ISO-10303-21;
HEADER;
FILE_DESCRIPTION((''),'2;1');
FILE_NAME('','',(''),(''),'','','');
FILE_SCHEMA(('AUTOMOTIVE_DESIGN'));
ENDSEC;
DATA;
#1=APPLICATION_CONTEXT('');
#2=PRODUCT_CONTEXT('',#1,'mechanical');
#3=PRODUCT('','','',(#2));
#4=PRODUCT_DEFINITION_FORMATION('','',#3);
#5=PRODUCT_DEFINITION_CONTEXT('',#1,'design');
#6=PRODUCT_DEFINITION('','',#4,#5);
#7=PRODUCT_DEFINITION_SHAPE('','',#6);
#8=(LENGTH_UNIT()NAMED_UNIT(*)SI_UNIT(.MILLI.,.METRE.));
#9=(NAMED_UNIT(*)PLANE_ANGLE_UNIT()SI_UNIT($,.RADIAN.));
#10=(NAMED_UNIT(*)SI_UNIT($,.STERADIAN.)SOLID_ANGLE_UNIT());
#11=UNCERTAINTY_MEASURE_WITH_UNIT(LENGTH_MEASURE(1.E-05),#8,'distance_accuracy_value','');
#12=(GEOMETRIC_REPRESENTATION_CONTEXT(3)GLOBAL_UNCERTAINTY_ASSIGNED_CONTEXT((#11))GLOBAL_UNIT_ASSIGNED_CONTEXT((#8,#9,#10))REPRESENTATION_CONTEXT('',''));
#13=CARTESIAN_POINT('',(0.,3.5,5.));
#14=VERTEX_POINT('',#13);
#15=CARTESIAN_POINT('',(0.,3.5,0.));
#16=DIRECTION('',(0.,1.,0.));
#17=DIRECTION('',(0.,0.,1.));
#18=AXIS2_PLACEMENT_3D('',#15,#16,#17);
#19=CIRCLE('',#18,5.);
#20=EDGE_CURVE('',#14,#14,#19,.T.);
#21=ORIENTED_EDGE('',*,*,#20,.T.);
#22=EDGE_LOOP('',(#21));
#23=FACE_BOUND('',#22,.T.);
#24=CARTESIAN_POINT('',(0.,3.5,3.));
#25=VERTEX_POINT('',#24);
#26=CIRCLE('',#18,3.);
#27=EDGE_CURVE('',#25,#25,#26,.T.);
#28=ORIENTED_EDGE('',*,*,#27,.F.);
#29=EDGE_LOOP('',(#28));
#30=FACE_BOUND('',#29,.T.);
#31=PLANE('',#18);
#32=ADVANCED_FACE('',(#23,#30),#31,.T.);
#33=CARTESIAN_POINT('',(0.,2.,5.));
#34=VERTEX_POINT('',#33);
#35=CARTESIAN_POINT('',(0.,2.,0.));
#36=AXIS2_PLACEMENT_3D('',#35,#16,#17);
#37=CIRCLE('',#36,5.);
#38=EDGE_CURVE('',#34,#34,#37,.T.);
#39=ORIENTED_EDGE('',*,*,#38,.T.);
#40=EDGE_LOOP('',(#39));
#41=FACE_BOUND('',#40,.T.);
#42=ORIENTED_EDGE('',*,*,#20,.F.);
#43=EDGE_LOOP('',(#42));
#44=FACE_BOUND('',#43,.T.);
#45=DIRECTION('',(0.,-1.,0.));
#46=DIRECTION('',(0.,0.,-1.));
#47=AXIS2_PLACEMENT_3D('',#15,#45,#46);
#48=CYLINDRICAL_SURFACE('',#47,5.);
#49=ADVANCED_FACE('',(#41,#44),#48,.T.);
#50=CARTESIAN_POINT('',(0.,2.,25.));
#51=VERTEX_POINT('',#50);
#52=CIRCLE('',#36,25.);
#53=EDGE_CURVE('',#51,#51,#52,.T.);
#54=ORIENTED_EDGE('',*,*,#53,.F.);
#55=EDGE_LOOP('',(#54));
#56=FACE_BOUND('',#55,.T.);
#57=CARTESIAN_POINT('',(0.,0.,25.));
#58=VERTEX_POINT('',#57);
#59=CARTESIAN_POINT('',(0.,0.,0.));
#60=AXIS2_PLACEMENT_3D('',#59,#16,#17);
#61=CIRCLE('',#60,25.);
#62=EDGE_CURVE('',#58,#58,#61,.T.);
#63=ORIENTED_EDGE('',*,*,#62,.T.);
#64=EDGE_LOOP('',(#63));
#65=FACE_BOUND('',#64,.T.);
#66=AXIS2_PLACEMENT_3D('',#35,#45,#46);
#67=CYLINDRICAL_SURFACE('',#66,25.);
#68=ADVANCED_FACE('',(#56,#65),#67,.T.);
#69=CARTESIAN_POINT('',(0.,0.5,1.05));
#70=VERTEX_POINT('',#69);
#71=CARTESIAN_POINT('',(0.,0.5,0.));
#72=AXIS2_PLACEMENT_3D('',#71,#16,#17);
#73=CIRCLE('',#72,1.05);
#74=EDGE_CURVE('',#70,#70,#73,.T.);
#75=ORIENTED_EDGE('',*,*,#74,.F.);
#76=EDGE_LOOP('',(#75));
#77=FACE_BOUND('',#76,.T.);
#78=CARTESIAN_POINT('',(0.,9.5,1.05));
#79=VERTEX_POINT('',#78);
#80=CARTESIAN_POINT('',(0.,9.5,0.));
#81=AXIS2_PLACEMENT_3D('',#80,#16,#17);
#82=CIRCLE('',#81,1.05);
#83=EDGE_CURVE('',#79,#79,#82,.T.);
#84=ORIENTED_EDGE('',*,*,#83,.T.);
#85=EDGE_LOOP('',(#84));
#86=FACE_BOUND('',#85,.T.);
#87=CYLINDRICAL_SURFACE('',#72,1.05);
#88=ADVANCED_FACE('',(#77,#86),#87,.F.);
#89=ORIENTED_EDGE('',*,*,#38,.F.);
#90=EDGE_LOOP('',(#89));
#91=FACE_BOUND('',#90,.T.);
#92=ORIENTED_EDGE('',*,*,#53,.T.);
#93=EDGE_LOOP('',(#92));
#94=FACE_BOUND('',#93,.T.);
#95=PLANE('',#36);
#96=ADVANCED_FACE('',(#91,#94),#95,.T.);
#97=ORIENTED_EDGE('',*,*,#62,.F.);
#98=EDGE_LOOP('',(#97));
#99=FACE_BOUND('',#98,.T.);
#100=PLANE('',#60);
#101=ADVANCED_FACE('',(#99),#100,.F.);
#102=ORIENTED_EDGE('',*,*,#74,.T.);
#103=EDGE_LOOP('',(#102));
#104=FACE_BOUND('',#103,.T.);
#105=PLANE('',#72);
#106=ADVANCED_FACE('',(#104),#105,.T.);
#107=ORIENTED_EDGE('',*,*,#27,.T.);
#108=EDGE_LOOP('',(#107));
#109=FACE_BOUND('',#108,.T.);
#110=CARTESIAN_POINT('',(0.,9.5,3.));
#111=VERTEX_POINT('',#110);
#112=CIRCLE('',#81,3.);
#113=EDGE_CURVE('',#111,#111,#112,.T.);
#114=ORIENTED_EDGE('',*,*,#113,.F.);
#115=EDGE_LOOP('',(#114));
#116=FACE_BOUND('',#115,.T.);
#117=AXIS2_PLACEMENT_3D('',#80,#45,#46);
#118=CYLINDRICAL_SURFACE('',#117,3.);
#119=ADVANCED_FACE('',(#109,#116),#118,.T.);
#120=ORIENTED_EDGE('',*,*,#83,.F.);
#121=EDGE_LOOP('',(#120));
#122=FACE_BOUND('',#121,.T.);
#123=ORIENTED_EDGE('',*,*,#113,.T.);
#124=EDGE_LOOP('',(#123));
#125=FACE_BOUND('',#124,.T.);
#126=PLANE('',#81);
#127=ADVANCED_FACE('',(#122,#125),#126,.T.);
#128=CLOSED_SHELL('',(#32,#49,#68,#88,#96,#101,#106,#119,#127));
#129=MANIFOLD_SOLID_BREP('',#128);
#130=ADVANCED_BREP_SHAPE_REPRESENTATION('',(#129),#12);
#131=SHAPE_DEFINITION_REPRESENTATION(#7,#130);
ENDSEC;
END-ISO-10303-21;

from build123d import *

# Parameters (mm, degrees)
SKETCH1_R           = 25
BOSS_EXTRUDE1_DEPTH = 2
SKETCH2_R           = 5
BOSS_EXTRUDE2_DEPTH = 1.5
SKETCH3_R           = 3
BOSS_EXTRUDE3_DEPTH = 6
SKETCH4_R           = 1.05
CUT_EXTRUDE1_DEPTH  = 9


with BuildPart() as part:
    # Sketch1 → Boss-Extrude1 (new body)
    with BuildSketch(Plane(origin=(0, 0, 0), x_dir=(1, 0, 0), z_dir=(0, 1, 0))):
        with Locations(Location((0, 0, 0), (0, 0, 270))):
            Circle(SKETCH1_R)
    extrude(amount=BOSS_EXTRUDE1_DEPTH)

    # Sketch2 → Boss-Extrude2 (add)
    with BuildSketch(Plane(origin=(0, 2, 0), x_dir=(1, 0, 0), z_dir=(0, 1, 0))):
        with Locations(Location((0, 0, 0), (0, 0, 270))):
            Circle(SKETCH2_R)
    extrude(amount=BOSS_EXTRUDE2_DEPTH)

    # Sketch3 → Boss-Extrude3 (add)
    with BuildSketch(Plane(origin=(0, 3.5, 0), x_dir=(1, 0, 0), z_dir=(0, 1, 0))):
        with Locations(Location((0, 0, 0), (0, 0, 270))):
            Circle(SKETCH3_R)
    extrude(amount=BOSS_EXTRUDE3_DEPTH)

    # Sketch4 → Cut-Extrude1 (cut)
    with BuildSketch(Plane(origin=(0, 9.5, 0), x_dir=(1, 0, 0), z_dir=(0, 1, 0))):
        with Locations(Location((0, 0, 0), (0, 0, 270))):
            Circle(SKETCH4_R)
    extrude(amount=-CUT_EXTRUDE1_DEPTH, mode=Mode.SUBTRACT)


solid = part.part
